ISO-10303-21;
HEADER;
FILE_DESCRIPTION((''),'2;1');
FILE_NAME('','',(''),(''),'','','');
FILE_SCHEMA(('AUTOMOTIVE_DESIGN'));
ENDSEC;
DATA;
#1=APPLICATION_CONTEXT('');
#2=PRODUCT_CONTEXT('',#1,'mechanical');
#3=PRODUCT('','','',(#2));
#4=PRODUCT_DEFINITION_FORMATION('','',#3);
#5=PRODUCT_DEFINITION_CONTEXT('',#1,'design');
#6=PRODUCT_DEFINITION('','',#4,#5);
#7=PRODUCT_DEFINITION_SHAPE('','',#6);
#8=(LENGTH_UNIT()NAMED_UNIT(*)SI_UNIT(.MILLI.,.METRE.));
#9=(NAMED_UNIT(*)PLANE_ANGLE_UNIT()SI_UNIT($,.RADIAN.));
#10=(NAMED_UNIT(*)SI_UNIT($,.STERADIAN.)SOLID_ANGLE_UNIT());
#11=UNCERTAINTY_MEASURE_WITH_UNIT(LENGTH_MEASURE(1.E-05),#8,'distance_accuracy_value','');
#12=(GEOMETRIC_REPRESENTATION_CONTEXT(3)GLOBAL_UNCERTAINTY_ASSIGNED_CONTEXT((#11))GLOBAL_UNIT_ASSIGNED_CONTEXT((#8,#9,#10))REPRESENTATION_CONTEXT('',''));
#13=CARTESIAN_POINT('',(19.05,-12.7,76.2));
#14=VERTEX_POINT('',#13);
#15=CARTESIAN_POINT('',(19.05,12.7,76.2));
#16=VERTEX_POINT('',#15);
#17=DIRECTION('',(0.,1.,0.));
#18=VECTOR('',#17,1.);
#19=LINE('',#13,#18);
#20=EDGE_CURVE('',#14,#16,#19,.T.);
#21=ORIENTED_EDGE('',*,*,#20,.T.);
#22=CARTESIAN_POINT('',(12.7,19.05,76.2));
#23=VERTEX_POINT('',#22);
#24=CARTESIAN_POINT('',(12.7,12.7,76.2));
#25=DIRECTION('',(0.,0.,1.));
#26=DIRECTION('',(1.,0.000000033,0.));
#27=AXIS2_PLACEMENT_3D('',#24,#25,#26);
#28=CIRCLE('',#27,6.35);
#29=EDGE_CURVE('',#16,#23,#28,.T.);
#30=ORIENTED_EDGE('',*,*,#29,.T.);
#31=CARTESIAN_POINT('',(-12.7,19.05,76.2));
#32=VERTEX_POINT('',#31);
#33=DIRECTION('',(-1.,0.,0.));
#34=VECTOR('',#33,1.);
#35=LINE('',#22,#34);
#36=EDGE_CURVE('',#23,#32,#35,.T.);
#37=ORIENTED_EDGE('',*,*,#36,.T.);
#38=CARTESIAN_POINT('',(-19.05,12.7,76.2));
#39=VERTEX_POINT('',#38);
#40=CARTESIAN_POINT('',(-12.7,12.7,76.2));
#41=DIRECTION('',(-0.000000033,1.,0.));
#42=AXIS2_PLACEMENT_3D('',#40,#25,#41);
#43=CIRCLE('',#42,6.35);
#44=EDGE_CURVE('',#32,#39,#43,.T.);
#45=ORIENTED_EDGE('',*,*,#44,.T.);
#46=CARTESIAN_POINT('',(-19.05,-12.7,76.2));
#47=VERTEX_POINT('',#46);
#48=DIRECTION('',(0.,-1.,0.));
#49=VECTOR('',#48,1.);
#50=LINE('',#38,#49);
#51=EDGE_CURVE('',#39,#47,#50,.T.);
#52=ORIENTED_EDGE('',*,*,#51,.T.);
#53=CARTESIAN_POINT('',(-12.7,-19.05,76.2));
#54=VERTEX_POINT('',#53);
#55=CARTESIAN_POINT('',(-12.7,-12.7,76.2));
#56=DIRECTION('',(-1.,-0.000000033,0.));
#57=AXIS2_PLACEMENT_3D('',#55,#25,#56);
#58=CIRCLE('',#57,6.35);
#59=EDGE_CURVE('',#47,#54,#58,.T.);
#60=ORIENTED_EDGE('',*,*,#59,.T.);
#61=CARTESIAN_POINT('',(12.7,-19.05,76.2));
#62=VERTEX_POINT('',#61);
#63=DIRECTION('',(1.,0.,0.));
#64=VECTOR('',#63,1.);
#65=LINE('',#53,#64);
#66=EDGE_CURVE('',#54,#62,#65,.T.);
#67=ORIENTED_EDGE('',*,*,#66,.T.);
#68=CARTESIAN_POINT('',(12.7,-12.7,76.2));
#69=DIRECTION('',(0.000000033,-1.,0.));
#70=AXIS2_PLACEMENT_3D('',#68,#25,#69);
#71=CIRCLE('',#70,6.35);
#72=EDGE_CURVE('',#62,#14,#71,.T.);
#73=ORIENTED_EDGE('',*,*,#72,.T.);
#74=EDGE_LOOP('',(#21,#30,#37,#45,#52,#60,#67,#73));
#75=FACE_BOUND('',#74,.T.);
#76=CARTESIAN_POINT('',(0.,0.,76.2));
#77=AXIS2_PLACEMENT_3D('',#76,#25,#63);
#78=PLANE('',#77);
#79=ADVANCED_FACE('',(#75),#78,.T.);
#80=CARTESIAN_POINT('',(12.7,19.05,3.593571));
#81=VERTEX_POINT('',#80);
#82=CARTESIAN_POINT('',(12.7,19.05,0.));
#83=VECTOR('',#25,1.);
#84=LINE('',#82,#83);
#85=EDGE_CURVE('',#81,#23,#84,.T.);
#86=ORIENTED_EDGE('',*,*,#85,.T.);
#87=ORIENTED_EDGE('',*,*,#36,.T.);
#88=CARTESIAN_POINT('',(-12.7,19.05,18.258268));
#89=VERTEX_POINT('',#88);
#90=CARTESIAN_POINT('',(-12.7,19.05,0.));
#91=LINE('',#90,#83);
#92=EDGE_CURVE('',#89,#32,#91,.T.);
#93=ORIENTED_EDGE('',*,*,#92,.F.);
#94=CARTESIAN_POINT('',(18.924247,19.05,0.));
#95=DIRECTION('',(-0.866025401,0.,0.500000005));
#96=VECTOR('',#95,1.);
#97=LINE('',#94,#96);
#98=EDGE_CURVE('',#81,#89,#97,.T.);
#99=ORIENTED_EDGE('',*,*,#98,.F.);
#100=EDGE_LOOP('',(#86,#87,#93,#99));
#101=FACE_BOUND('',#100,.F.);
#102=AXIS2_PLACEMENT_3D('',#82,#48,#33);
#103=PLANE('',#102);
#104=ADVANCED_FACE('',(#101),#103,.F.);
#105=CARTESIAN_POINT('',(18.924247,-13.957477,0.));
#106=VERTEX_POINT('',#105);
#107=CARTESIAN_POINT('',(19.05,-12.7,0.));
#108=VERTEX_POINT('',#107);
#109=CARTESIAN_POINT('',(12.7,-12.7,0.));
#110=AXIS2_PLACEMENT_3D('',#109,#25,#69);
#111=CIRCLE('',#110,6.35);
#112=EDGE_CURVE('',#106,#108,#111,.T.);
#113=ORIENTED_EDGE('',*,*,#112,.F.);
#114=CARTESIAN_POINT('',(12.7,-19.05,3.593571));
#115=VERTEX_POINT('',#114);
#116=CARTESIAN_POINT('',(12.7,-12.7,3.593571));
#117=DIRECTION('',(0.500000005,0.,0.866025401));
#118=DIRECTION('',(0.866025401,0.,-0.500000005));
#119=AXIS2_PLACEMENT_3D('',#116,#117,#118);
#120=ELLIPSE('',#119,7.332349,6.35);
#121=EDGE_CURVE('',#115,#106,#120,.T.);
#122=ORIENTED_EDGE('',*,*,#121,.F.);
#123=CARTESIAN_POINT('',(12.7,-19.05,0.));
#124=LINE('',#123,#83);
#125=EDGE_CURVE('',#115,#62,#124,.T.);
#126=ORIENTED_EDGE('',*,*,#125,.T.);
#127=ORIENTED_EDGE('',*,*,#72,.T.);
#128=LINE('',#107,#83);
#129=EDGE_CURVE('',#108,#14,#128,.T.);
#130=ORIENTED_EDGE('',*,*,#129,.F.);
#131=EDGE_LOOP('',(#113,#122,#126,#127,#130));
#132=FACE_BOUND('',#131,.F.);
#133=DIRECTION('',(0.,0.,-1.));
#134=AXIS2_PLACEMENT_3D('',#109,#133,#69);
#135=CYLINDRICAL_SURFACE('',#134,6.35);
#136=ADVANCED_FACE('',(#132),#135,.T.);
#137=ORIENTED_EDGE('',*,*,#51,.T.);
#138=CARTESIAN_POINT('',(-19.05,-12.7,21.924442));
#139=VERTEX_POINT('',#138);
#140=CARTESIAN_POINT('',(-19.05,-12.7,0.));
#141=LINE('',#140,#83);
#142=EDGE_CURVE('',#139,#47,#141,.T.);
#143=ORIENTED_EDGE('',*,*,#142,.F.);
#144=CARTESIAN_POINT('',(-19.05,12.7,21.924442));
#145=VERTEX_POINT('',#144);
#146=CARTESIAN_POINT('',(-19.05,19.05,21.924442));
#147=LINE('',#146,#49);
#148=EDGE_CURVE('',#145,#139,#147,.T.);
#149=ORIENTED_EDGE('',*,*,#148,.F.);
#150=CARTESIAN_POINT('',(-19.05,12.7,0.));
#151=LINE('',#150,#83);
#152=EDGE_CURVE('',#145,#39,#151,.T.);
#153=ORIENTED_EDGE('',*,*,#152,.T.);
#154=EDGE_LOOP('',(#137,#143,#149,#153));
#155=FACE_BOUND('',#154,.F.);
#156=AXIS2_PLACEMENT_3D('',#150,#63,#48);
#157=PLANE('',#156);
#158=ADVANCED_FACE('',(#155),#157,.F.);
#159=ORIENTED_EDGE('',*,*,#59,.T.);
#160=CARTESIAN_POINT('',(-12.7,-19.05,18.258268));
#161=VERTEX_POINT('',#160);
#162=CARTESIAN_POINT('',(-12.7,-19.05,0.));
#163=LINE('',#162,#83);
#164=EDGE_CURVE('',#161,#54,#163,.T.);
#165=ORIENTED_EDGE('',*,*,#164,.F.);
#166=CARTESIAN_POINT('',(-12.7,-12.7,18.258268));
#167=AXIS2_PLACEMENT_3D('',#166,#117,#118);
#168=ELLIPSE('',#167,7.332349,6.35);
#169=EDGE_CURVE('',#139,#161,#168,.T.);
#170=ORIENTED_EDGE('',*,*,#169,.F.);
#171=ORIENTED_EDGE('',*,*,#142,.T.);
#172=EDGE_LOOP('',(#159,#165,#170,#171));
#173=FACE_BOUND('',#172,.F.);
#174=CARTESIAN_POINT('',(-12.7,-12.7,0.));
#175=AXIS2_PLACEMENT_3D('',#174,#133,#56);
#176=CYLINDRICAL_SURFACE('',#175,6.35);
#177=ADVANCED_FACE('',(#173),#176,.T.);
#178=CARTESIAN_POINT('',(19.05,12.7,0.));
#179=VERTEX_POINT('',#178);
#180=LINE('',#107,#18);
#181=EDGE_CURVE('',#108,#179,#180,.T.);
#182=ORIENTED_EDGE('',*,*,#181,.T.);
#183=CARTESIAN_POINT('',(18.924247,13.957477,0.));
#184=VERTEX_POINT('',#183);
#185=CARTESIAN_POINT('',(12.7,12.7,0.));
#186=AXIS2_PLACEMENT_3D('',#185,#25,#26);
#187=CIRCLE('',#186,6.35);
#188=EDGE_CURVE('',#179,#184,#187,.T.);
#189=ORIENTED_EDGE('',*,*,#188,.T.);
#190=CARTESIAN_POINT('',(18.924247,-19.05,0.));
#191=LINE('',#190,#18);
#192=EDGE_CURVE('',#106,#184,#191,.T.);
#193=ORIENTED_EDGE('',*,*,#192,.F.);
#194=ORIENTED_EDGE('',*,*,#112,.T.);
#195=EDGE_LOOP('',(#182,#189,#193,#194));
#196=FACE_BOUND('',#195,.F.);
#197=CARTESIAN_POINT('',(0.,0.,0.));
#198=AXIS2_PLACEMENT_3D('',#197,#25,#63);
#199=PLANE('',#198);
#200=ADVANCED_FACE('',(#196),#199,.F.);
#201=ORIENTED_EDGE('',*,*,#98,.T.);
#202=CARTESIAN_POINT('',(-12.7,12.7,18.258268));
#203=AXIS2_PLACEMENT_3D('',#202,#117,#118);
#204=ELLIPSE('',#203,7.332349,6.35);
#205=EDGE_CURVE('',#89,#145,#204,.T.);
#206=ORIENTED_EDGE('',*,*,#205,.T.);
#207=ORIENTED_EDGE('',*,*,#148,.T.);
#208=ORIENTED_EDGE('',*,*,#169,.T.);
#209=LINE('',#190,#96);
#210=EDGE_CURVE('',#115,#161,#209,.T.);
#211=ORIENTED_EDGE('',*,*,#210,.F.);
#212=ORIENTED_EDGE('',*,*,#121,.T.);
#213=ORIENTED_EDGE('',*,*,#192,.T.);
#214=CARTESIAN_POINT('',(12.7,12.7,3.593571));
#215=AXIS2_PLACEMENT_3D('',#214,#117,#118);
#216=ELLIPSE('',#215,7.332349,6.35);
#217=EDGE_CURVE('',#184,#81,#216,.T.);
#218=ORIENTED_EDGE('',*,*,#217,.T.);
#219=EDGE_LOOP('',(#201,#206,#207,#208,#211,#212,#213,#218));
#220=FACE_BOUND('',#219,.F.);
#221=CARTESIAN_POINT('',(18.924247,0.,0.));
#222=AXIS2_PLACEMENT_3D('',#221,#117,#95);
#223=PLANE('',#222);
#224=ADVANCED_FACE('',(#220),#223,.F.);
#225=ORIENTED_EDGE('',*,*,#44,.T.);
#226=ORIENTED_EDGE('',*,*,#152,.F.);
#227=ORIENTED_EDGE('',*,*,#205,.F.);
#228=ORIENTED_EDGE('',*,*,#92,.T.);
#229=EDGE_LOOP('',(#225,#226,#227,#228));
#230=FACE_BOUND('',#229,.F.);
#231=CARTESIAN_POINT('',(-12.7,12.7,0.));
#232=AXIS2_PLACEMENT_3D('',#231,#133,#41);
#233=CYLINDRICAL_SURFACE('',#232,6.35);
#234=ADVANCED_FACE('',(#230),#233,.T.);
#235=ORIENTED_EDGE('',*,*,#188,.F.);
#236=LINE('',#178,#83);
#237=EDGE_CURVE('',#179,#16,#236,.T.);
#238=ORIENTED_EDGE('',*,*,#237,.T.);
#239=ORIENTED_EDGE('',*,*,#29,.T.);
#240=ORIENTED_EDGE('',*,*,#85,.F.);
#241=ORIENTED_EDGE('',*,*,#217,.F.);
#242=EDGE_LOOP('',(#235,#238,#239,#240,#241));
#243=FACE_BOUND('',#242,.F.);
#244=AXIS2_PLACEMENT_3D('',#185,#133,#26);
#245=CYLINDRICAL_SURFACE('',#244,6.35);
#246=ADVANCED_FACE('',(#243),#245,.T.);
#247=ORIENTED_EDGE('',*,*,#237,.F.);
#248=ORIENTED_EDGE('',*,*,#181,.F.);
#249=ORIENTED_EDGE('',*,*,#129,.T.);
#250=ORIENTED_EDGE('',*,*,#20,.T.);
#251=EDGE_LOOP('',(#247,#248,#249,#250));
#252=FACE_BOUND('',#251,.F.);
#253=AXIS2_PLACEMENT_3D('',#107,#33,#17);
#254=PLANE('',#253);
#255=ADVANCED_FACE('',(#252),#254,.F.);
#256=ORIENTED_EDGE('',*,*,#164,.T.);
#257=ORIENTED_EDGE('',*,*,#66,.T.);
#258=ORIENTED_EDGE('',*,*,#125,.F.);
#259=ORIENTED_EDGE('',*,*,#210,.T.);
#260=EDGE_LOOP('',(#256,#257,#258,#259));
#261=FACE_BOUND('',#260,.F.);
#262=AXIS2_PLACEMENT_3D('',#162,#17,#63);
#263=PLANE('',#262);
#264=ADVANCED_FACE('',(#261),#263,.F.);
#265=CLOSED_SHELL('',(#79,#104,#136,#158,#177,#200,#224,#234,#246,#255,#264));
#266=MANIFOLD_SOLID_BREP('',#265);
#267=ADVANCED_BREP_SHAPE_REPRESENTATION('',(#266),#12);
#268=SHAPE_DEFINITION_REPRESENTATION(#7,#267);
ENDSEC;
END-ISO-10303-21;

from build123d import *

# Parameters (mm, degrees)
F1_DEPTH = 76.2
F3_DEPTH = 19.05


with BuildPart() as f1:
    # F0 (on Top) → F1 (new body)
    with BuildSketch(Plane.XY):
        with BuildLine():
            ThreePointArc((19.05, 12.7), (17.190128, 17.190128), (12.7, 19.05))
            Line((12.7, 19.05), (-12.7, 19.05))
            ThreePointArc((-12.7, 19.05), (-17.190128, 17.190128), (-19.05, 12.7))
            Line((-19.05, 12.7), (-19.05, -12.7))
            ThreePointArc((-19.05, -12.7), (-17.190128, -17.190128), (-12.7, -19.05))
            Line((-12.7, -19.05), (12.7, -19.05))
            ThreePointArc((12.7, -19.05), (17.190128, -17.190128), (19.05, -12.7))
            Line((19.05, -12.7), (19.05, 12.7))
        make_face()
    extrude(amount=F1_DEPTH)

    # F2 (on Front) → F3 (cut, symmetric)
    with BuildSketch(Plane.XZ):
        Polygon((18.924247, 0), (-19.05, 21.924442), (-19.05, 0), align=None)
    extrude(amount=F3_DEPTH, both=True, mode=Mode.SUBTRACT)


solid = f1.part
